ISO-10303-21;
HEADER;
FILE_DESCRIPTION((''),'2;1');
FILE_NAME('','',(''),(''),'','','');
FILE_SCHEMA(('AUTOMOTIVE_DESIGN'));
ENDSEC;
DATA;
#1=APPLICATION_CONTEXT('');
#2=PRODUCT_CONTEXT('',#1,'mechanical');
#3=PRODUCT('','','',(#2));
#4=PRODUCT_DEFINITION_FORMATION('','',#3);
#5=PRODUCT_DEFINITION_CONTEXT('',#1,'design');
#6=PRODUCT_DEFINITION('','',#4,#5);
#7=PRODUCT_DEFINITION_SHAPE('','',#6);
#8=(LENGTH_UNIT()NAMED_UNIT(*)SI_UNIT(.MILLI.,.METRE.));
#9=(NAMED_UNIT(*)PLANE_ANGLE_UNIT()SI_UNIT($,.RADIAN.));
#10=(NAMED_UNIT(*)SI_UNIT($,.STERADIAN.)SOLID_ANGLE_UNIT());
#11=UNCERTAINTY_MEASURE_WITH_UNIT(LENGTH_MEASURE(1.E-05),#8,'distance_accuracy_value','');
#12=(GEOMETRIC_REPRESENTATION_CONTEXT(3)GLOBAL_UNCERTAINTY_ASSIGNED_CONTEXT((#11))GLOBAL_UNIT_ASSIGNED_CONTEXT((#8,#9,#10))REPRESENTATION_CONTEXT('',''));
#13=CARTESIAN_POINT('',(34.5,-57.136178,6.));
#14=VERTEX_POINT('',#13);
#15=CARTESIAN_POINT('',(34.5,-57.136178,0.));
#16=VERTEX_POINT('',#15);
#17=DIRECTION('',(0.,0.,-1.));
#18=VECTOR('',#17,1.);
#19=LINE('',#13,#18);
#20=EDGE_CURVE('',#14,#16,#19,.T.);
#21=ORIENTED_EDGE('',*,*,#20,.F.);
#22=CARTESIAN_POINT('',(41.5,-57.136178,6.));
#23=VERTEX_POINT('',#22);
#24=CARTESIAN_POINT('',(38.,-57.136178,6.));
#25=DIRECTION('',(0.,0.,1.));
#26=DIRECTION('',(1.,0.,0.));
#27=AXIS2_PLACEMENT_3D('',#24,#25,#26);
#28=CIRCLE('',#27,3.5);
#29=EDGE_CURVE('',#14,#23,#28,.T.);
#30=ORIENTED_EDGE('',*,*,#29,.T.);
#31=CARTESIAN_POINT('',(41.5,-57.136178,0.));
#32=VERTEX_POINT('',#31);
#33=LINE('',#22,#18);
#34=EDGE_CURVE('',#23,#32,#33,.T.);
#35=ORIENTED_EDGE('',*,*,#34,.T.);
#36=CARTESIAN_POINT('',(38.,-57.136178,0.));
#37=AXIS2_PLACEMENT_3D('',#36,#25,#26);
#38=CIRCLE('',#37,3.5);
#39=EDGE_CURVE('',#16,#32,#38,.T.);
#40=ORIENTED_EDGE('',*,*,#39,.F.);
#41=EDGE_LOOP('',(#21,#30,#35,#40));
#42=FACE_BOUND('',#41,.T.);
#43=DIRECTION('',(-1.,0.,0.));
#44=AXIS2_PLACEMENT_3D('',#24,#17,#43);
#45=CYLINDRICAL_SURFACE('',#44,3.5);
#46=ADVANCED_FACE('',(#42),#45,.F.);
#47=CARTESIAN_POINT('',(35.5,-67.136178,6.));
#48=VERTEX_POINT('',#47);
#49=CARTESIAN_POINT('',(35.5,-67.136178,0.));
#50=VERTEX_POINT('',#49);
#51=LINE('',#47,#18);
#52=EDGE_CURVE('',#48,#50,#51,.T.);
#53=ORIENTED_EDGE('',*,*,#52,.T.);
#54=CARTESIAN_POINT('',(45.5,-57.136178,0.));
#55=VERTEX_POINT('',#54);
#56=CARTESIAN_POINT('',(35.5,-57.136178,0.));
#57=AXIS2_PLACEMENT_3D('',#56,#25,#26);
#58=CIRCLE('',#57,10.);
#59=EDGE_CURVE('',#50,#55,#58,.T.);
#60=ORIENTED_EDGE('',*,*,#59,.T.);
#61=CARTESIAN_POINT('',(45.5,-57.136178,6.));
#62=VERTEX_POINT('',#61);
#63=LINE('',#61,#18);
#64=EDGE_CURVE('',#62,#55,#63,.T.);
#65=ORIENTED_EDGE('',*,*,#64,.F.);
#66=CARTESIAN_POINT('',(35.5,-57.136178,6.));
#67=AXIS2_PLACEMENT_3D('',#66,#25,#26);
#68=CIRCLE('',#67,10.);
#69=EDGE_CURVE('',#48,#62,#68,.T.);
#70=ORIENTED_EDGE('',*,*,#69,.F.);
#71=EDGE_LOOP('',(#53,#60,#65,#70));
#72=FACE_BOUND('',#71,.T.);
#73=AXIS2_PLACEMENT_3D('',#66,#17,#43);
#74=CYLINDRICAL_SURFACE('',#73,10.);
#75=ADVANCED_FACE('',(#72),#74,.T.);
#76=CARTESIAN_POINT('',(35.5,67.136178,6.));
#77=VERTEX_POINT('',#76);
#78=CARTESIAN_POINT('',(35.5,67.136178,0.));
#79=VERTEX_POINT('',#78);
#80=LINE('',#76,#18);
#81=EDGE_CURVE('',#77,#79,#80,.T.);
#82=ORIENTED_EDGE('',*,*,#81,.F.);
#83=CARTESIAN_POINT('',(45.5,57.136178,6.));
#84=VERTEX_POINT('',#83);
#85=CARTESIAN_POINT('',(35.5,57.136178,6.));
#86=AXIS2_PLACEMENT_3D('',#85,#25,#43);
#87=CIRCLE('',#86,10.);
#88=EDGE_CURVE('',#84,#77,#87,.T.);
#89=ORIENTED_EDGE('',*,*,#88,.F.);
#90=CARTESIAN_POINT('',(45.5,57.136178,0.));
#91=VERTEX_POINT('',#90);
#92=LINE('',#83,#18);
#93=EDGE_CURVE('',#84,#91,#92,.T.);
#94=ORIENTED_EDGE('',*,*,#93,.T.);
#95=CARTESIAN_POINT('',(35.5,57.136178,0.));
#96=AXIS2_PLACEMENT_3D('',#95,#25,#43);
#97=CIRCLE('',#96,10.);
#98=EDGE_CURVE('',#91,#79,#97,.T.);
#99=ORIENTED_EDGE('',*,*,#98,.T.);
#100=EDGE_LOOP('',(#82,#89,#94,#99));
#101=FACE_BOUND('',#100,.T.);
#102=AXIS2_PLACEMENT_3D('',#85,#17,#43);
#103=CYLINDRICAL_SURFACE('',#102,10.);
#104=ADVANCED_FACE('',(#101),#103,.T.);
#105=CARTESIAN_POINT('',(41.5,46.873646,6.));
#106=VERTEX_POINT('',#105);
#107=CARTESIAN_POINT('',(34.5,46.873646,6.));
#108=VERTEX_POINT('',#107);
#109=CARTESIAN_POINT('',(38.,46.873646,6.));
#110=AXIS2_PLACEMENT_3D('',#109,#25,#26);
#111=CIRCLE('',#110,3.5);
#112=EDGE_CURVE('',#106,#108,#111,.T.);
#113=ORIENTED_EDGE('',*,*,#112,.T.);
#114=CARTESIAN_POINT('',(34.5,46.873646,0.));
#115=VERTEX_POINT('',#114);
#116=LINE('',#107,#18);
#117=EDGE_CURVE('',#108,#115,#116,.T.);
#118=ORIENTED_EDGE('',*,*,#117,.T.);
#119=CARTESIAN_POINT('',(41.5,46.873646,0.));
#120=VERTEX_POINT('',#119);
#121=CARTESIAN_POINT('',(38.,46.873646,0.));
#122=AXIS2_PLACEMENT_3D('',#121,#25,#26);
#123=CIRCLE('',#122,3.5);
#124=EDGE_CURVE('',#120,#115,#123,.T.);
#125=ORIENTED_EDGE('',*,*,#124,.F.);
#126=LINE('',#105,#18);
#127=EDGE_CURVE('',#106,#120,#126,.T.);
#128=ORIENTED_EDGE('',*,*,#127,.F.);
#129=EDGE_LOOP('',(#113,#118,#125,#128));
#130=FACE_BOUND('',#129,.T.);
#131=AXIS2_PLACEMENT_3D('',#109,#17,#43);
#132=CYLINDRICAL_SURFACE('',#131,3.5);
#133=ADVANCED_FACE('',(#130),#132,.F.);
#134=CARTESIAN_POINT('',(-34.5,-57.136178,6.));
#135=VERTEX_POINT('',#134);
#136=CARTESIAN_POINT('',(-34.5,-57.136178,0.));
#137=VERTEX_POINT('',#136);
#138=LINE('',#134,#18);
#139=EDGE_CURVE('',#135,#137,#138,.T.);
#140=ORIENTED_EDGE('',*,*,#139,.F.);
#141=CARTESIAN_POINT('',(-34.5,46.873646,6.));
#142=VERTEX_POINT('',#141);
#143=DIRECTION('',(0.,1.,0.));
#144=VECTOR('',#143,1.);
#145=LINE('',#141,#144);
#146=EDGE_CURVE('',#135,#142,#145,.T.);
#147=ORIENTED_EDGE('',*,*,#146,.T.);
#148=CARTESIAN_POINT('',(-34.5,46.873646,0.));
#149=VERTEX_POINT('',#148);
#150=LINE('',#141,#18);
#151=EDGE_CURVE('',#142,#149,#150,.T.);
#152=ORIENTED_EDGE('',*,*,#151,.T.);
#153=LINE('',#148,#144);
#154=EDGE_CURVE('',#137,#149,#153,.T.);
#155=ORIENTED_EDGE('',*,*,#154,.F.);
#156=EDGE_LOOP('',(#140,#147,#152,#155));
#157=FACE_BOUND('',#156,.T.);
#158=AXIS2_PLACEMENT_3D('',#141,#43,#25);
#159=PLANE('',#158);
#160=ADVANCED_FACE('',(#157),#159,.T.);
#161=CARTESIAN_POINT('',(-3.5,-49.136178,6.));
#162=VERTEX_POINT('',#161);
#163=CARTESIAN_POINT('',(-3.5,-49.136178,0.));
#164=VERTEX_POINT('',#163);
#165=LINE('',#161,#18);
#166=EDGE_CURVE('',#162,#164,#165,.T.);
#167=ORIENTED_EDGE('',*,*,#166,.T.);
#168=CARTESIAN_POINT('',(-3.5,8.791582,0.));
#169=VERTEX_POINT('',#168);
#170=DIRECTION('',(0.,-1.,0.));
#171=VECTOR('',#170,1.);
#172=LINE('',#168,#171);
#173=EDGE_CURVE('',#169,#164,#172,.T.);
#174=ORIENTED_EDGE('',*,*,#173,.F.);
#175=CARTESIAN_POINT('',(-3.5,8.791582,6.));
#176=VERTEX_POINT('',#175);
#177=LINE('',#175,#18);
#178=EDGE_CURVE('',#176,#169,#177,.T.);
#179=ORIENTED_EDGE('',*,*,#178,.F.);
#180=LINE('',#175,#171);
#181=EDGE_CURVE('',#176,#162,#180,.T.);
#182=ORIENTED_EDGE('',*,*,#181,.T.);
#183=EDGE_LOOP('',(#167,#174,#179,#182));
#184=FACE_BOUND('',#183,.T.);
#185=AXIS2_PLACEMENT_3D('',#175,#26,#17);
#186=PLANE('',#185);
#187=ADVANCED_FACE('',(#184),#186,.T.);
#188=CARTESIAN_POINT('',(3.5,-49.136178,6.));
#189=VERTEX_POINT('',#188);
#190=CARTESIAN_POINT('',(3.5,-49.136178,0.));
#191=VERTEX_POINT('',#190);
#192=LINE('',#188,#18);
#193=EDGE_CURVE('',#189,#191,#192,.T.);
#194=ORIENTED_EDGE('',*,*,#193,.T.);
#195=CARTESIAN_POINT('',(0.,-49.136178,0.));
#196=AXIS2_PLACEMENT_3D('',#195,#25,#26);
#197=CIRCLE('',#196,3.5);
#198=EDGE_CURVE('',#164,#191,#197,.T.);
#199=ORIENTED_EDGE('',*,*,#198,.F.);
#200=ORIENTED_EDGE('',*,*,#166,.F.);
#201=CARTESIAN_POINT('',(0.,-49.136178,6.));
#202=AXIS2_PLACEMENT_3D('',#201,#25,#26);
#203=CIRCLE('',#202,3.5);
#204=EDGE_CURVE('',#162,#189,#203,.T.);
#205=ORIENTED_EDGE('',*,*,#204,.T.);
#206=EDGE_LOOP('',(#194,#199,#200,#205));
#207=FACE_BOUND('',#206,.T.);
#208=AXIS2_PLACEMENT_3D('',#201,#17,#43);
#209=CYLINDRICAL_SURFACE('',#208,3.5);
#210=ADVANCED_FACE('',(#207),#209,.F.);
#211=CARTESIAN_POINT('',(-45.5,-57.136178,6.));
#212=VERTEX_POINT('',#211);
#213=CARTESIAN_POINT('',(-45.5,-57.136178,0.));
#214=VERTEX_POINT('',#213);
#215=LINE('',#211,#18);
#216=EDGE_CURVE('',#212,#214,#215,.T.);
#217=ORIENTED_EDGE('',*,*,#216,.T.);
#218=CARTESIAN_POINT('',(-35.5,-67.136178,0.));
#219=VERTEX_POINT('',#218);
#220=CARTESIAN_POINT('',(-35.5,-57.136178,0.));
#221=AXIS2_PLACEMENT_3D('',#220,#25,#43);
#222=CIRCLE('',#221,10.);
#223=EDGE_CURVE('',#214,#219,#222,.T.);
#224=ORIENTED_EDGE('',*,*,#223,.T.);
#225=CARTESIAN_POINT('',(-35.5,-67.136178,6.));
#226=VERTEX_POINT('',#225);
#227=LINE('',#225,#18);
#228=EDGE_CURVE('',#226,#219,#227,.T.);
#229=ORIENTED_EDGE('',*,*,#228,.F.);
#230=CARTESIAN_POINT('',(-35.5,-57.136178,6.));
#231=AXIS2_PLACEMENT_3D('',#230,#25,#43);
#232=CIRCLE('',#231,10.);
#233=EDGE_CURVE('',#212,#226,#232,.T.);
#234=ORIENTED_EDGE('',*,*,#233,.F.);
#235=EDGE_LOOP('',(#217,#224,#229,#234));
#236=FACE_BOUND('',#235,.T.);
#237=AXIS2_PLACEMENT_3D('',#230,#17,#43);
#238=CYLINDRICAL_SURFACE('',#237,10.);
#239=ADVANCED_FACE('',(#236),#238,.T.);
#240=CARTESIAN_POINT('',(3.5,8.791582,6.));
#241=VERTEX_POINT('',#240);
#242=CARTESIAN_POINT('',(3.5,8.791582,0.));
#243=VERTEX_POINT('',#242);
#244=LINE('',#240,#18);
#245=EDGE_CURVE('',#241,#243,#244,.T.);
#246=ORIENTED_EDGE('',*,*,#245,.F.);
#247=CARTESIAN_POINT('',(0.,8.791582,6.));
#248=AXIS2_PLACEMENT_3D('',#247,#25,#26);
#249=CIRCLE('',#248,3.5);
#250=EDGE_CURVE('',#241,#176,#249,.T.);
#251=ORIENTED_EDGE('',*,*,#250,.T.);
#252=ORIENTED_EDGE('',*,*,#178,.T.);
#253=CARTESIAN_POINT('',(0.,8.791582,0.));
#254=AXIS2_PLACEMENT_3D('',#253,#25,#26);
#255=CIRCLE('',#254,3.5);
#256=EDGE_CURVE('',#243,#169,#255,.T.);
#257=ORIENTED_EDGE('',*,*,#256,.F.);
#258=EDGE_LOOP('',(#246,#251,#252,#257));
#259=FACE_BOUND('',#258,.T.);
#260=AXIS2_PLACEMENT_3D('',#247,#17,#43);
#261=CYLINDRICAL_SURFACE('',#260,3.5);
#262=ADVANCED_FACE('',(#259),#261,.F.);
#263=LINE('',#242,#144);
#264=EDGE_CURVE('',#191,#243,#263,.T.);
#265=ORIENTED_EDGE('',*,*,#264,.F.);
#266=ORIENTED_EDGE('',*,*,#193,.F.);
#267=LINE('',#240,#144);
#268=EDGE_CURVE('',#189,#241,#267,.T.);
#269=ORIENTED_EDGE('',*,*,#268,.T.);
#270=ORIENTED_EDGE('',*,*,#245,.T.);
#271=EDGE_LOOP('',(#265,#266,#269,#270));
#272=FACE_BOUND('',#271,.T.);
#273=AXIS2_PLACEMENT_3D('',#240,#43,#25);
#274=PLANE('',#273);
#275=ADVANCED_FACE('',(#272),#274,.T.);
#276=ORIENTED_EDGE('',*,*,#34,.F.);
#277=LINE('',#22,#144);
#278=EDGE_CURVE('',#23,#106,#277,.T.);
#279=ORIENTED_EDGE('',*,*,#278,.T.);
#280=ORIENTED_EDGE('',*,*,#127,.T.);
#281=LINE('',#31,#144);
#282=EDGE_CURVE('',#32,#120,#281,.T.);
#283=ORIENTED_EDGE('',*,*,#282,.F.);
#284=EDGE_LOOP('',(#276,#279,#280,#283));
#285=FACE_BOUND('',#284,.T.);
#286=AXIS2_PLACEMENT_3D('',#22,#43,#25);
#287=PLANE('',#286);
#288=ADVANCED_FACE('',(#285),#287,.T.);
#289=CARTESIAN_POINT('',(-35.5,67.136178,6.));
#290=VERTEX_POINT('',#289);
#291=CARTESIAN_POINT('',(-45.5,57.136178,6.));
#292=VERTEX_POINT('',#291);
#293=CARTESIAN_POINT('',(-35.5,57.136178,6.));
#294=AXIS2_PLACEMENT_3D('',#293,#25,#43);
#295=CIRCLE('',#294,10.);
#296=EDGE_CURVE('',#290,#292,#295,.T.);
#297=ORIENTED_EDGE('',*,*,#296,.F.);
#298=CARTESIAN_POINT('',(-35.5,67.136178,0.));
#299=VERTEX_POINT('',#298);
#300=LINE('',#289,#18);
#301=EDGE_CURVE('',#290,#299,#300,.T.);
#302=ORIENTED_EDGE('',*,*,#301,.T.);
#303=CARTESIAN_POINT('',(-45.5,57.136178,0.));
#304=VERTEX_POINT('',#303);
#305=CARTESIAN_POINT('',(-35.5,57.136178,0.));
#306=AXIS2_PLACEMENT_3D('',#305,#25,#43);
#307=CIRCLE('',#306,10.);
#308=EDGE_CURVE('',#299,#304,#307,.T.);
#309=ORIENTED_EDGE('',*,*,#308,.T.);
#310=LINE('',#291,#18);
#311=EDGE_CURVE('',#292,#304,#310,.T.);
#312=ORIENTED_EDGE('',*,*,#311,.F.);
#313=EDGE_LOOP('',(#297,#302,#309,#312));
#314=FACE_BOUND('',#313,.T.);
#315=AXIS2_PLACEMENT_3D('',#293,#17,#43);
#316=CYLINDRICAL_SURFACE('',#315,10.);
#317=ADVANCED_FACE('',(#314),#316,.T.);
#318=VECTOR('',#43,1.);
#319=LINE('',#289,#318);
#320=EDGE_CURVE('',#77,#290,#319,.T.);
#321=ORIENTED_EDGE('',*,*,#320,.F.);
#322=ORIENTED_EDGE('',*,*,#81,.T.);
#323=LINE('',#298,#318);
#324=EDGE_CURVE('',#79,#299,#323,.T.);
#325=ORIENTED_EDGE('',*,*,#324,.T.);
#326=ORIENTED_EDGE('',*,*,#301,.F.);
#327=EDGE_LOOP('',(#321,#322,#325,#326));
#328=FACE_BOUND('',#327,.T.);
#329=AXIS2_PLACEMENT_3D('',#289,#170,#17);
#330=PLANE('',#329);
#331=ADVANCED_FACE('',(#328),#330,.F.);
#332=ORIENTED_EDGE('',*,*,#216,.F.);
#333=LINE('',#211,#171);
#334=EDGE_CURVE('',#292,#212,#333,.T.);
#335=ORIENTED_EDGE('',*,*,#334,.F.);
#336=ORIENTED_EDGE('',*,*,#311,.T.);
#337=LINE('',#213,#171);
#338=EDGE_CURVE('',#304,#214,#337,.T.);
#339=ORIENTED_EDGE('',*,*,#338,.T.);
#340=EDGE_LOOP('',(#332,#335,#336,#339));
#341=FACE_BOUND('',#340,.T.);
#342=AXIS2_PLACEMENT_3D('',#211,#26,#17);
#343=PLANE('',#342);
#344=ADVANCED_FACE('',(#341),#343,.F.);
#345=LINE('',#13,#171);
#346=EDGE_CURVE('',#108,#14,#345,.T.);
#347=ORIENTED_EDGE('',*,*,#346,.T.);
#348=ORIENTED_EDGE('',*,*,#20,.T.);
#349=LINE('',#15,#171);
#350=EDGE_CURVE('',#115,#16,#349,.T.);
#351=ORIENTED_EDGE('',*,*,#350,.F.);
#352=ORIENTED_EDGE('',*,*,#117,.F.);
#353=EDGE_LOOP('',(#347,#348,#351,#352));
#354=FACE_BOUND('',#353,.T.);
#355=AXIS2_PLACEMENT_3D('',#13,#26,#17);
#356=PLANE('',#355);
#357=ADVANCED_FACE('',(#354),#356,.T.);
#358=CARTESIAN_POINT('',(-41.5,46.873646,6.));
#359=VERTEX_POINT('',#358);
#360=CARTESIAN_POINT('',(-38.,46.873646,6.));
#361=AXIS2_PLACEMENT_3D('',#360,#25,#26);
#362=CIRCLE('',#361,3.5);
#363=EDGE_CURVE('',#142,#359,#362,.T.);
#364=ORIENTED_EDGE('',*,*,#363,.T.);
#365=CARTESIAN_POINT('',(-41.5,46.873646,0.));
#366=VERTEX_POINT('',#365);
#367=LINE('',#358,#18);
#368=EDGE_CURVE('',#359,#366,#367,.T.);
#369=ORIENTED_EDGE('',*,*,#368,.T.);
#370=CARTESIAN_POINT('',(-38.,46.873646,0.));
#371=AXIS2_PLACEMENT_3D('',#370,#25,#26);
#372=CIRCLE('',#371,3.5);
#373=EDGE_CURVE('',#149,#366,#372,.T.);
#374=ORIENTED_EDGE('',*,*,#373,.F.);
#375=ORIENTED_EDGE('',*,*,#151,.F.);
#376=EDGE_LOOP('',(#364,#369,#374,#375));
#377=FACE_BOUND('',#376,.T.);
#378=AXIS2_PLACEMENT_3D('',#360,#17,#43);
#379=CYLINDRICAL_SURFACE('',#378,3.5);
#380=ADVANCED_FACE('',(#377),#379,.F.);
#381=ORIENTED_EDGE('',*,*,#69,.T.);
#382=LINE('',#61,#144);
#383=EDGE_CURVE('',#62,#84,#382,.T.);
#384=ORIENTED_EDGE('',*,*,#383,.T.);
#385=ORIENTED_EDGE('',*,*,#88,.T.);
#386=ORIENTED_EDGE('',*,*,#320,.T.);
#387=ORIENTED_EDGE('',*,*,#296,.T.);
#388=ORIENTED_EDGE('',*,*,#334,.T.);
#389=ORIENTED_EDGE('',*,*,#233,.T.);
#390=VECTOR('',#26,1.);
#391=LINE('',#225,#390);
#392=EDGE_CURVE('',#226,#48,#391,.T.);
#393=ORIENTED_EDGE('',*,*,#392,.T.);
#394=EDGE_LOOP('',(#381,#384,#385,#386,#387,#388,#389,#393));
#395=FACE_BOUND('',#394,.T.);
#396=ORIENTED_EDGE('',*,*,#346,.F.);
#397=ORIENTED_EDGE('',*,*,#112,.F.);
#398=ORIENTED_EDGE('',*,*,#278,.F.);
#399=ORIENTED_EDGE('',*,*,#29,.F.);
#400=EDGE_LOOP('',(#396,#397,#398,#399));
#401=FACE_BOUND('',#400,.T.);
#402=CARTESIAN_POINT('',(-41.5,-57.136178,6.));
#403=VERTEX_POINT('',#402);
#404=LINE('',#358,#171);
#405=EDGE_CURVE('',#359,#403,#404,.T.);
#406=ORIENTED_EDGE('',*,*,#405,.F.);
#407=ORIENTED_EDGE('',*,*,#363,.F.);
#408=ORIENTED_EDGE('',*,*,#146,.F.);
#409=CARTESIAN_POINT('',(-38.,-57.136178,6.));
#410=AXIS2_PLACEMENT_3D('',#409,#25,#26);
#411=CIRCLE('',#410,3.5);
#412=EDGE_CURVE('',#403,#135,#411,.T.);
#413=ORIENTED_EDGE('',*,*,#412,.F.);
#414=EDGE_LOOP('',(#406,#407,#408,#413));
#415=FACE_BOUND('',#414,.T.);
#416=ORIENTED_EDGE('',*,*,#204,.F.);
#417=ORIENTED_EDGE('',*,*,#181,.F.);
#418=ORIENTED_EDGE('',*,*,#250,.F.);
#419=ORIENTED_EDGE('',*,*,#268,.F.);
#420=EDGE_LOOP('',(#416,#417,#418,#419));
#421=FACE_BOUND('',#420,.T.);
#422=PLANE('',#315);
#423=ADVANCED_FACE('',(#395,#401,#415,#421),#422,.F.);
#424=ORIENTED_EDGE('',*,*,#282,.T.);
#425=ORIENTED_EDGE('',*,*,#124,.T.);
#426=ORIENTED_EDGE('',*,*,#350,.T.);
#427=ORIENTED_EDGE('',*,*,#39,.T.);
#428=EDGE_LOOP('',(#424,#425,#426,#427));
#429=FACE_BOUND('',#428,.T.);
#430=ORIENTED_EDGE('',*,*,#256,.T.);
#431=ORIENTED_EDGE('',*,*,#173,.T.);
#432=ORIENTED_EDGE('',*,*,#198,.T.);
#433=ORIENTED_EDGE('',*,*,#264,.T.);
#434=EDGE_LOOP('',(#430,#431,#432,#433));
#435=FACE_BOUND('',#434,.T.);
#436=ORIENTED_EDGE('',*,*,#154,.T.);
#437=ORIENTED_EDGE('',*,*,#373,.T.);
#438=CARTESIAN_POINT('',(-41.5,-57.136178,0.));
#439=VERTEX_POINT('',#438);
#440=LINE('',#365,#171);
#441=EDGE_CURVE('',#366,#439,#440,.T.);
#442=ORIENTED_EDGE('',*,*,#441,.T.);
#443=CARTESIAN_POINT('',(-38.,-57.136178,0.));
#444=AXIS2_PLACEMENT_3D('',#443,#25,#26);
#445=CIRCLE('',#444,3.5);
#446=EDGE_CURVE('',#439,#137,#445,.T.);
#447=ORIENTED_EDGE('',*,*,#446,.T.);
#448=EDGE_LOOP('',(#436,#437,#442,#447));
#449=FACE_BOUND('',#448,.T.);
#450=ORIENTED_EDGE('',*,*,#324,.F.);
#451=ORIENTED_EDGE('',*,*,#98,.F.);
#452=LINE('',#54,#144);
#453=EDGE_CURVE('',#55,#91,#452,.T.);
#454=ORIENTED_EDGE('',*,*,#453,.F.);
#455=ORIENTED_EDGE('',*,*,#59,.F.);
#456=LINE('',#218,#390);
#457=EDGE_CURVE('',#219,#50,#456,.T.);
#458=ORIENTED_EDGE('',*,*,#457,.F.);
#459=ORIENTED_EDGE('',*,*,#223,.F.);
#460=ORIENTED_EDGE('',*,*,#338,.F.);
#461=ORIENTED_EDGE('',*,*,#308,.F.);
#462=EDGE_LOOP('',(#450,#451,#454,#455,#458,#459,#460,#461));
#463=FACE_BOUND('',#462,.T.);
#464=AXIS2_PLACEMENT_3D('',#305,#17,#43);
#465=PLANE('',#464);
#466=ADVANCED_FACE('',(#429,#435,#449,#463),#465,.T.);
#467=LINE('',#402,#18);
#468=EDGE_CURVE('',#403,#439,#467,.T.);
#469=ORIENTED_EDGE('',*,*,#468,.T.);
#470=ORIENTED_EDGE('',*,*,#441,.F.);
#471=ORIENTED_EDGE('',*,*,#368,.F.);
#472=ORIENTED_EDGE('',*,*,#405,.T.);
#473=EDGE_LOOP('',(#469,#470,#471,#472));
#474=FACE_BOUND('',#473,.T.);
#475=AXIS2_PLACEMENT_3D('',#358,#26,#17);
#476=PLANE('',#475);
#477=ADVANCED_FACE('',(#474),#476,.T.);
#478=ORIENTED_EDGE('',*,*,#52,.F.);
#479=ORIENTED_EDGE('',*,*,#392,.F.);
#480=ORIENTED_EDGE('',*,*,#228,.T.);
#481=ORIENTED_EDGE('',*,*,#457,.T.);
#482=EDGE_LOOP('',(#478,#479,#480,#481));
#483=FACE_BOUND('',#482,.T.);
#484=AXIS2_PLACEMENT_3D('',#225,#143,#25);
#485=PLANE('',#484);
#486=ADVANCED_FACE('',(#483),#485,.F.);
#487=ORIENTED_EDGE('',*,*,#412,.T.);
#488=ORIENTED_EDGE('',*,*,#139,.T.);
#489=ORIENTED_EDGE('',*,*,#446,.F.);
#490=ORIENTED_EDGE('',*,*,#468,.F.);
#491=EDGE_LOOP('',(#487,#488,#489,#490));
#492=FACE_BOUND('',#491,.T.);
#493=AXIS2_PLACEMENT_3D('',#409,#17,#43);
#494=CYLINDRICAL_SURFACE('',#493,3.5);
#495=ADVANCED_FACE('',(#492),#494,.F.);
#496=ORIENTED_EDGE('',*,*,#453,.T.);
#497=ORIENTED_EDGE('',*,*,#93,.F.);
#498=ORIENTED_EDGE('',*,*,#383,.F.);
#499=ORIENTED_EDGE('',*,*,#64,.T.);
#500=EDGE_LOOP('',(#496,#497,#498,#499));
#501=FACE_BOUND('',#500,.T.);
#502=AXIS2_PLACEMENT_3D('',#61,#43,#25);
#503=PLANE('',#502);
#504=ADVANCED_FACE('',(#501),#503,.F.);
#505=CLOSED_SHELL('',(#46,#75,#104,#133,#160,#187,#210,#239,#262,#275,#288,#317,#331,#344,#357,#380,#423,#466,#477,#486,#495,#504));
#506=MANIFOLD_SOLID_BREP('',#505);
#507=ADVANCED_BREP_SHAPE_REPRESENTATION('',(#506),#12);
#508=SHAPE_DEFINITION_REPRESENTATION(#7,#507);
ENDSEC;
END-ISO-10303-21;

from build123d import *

# Parameters (mm, degrees)
BOSS_EXTRUDE1_DEPTH = 6


with BuildPart() as part:
    # Sketch1 → Boss-Extrude1 (new body)
    with BuildSketch(Plane.XY):
        with BuildLine():
            Line((-35.5, -67.136177844), (35.5, -67.136177844))
            ThreePointArc((35.5, -67.136177844), (42.571067812, -64.207245656), (45.5, -57.136177844))
            Line((45.5, -57.136177844), (45.5, 57.136177844))
            ThreePointArc((45.5, 57.136177844), (42.571067812, 64.207245656), (35.5, 67.136177844))
            Line((35.5, 67.136177844), (-35.5, 67.136177844))
            ThreePointArc((-35.5, 67.136177844), (-42.571067812, 64.207245656), (-45.5, 57.136177844))
            Line((-45.5, 57.136177844), (-45.5, -57.136177844))
            ThreePointArc((-45.5, -57.136177844), (-42.571067812, -64.207245656), (-35.5, -67.136177844))
        make_face()
        with BuildLine():
            Line((-34.5, 46.873645637), (-34.5, -57.136177844))
            ThreePointArc((-34.5, -57.136177844), (-38, -60.636177844), (-41.5, -57.136177844))
            Line((-41.5, -57.136177844), (-41.5, 46.873645637))
            ThreePointArc((-41.5, 46.873645637), (-38, 50.373645637), (-34.5, 46.873645637))
        make_face(mode=Mode.SUBTRACT)
        with BuildLine():
            Line((34.5, -57.136177844), (34.5, 46.873645637))
            ThreePointArc((34.5, 46.873645637), (38, 50.373645637), (41.5, 46.873645637))
            Line((41.5, 46.873645637), (41.5, -57.136177844))
            ThreePointArc((41.5, -57.136177844), (38, -60.636177844), (34.5, -57.136177844))
        make_face(mode=Mode.SUBTRACT)
        with BuildLine():
            Line((3.5, 8.791581559), (3.5, -49.136177844))
            ThreePointArc((3.5, -49.136177844), (0, -52.636177844), (-3.5, -49.136177844))
            Line((-3.5, -49.136177844), (-3.5, 8.791581559))
            ThreePointArc((-3.5, 8.791581559), (0, 12.291581559), (3.5, 8.791581559))
        make_face(mode=Mode.SUBTRACT)
    extrude(amount=BOSS_EXTRUDE1_DEPTH)


solid = part.part
